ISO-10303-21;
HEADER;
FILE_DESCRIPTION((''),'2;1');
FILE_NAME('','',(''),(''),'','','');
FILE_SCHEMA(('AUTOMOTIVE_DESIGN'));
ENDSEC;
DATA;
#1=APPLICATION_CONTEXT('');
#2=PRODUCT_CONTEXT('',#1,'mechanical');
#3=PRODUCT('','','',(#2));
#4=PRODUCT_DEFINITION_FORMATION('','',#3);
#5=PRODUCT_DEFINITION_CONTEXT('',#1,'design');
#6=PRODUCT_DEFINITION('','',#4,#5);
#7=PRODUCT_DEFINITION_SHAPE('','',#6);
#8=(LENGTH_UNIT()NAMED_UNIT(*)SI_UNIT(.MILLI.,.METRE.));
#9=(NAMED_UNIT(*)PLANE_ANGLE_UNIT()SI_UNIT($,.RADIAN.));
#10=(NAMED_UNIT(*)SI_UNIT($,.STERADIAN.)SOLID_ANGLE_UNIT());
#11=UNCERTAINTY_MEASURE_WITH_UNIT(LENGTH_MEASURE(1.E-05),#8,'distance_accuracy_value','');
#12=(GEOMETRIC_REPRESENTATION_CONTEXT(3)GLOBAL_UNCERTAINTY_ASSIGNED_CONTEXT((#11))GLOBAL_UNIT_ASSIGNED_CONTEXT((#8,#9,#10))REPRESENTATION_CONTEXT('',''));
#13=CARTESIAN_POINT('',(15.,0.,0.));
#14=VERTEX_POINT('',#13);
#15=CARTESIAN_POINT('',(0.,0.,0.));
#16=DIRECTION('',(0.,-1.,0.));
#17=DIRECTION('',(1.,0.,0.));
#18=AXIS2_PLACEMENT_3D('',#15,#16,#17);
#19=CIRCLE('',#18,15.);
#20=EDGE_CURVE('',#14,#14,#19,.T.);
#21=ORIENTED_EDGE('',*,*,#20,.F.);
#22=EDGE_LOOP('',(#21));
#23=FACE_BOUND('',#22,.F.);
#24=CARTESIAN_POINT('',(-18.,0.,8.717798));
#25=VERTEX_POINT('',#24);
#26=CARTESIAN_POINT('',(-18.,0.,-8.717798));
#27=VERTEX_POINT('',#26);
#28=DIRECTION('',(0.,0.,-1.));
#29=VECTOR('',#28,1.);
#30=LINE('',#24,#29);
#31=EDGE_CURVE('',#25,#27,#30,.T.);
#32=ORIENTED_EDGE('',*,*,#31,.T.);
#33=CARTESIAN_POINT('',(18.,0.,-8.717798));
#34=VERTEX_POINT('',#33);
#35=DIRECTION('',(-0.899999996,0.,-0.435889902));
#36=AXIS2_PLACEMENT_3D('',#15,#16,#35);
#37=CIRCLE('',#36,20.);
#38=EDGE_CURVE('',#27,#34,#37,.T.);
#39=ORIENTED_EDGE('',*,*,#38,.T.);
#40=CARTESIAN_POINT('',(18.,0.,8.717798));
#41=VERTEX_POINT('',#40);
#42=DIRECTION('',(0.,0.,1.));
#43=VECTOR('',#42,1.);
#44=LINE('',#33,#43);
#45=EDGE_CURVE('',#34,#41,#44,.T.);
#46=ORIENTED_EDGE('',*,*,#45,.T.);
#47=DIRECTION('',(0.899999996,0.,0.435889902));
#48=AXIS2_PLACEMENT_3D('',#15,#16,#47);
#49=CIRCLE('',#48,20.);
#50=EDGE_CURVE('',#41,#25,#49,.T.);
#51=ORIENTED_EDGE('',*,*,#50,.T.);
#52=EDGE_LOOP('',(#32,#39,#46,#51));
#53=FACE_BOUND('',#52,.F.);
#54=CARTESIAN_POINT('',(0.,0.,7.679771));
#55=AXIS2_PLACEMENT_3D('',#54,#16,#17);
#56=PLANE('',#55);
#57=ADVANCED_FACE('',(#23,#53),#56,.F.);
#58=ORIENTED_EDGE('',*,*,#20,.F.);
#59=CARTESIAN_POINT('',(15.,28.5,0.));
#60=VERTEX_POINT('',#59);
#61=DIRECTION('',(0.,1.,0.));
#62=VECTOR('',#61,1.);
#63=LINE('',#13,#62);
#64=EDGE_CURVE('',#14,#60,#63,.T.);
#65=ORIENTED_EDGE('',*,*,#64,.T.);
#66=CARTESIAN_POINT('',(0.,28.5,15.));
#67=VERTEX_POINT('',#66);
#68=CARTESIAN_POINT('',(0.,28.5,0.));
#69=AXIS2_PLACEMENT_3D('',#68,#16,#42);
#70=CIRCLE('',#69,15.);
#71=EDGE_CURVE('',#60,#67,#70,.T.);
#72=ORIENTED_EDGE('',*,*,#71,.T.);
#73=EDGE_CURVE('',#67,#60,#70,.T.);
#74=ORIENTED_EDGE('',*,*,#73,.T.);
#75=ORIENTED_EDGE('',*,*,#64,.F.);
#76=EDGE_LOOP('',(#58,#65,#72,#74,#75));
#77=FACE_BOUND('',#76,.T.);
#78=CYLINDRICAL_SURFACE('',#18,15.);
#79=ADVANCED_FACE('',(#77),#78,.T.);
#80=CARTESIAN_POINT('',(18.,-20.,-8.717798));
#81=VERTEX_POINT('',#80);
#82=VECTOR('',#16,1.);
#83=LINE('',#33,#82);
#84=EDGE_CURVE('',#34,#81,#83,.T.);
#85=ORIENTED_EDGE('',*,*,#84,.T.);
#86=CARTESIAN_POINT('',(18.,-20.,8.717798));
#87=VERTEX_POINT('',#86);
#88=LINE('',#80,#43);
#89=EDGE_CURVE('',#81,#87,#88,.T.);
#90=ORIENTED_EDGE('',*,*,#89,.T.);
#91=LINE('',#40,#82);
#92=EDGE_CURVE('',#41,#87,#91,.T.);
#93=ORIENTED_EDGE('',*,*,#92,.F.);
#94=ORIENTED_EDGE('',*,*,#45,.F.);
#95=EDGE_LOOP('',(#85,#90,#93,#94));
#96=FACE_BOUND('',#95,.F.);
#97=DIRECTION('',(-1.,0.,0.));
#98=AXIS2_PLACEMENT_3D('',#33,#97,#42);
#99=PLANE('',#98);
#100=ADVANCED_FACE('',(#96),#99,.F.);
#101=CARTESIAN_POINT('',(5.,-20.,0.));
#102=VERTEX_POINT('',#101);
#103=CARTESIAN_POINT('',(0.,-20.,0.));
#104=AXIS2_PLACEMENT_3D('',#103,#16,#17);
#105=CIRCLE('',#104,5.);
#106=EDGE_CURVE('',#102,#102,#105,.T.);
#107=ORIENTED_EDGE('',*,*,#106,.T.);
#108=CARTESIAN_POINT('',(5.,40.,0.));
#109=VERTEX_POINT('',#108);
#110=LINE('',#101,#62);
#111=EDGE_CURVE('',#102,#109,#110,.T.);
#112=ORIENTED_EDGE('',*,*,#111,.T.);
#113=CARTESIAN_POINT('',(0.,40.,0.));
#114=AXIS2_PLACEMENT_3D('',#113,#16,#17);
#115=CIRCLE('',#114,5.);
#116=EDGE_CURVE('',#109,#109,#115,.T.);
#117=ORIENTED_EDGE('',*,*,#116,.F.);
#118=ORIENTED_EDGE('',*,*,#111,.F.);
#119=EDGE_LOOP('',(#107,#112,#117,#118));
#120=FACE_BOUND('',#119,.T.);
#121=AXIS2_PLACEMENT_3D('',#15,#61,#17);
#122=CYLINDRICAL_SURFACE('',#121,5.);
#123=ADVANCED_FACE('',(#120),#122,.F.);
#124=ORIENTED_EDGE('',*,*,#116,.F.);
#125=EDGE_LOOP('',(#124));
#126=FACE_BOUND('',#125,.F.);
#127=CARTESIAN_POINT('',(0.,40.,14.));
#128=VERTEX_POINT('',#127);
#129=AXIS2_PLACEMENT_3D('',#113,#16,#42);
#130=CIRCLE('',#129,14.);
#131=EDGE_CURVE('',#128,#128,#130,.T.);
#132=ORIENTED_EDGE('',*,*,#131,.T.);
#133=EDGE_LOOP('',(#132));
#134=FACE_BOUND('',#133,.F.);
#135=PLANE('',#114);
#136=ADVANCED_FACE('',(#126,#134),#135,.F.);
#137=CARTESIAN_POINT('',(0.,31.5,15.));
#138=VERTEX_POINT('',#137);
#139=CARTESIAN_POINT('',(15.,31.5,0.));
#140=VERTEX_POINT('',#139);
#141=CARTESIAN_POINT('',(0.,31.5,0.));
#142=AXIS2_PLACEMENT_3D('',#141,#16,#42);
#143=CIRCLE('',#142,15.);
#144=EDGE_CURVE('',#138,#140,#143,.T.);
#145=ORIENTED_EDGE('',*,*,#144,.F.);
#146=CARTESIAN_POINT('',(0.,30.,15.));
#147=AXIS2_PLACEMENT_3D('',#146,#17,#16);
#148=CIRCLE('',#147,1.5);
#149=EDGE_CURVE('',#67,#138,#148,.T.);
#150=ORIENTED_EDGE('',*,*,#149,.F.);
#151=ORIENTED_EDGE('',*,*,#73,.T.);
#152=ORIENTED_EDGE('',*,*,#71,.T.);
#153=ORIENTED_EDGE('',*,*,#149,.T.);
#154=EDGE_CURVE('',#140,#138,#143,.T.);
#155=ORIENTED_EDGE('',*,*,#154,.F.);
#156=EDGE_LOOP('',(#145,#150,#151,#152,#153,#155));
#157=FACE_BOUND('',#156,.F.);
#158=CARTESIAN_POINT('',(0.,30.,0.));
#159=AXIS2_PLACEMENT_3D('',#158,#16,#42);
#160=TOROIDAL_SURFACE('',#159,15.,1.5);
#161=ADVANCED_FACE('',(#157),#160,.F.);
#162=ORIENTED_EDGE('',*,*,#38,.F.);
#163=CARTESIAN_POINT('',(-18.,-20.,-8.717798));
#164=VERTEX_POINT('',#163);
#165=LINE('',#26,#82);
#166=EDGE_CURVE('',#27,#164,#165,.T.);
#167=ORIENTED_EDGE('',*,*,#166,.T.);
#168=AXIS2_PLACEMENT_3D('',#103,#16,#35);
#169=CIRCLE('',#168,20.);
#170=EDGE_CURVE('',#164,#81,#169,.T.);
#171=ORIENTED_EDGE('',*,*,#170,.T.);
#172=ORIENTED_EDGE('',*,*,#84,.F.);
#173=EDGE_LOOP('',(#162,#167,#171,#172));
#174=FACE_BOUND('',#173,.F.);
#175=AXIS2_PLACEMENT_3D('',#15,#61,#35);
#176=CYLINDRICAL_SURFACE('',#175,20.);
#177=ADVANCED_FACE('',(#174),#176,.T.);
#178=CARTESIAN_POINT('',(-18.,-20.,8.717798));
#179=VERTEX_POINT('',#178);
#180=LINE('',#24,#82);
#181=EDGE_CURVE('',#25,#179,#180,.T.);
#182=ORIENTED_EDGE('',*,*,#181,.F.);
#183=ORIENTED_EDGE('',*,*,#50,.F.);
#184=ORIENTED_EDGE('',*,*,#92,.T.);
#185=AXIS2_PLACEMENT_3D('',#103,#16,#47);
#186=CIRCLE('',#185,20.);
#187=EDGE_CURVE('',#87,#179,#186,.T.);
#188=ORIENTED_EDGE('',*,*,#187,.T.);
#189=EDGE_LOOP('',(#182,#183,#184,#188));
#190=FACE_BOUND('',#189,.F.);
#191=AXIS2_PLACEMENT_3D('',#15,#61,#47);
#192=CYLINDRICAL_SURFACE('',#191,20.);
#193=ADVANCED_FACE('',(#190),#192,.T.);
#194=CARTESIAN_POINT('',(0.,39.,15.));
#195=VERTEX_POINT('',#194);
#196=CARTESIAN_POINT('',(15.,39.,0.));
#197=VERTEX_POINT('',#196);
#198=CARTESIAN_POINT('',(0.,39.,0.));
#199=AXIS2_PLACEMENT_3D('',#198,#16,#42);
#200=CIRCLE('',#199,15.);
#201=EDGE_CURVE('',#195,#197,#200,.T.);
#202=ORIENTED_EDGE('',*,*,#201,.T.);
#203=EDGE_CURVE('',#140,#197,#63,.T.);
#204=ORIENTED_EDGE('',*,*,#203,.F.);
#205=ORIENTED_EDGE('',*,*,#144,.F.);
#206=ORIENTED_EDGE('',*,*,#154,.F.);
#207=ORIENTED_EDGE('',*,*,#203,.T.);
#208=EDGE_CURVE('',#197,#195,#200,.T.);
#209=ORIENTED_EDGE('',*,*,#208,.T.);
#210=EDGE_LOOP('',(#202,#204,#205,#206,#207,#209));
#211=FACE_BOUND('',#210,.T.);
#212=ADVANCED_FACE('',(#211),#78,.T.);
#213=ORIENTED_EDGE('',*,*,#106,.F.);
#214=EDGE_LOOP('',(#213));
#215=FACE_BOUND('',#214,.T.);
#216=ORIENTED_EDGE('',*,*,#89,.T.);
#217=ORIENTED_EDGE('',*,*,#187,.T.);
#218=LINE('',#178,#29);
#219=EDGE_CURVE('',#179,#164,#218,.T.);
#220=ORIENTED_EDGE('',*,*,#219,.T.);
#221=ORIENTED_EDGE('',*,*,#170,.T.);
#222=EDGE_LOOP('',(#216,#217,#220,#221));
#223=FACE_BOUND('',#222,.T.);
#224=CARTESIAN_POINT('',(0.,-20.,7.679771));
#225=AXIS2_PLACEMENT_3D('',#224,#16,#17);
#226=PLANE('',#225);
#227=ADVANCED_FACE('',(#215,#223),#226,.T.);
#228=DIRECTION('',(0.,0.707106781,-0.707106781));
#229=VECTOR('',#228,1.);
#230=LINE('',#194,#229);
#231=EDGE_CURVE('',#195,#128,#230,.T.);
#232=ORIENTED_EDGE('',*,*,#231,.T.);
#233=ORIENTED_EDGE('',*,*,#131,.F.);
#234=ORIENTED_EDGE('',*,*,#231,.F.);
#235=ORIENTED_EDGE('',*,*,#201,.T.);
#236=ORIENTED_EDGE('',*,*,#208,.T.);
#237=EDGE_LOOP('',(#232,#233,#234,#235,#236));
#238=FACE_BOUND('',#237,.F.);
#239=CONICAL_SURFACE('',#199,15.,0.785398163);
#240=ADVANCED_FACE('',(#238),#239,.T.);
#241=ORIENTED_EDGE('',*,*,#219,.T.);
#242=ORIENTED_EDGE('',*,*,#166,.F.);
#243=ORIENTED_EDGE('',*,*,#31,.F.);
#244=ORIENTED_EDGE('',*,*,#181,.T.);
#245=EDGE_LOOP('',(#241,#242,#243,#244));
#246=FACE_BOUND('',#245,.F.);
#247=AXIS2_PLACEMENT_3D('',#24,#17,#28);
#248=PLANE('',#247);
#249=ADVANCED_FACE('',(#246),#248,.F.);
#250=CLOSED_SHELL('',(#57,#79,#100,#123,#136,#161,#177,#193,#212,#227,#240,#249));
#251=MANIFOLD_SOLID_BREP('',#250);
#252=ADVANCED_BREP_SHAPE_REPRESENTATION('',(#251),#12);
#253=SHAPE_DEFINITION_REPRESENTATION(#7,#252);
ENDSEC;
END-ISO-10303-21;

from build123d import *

# Parameters (mm, degrees)
F1_DEPTH = 20
F2_R     = 15
F3_DEPTH = 40
F4_R     = 5
F5_DEPTH = 40
F6_DEPTH = 20


with BuildPart() as f1:
    # F0 (on Front) → F1 (new body)
    with BuildSketch(Plane.XZ):
        with BuildLine():
            Line((18, 0), (18, 8.717798))
            ThreePointArc((18, 8.717798), (0, 20), (-18, 8.717798))
            Line((-18, 8.717798), (-18, 0))
            Line((-18, 0), (0, 0))
            Line((0, 0), (18, 0))
        make_face()
        with BuildLine():
            ThreePointArc((-18, -8.717798), (0, -20), (18, -8.717798))
            Line((18, -8.717798), (18, 0))
            Line((18, 0), (0, 0))
            Line((0, 0), (-18, 0))
            Line((-18, 0), (-18, -8.717798))
        make_face()
    extrude(amount=F1_DEPTH)

    # F2 (on face) → F3 (join)
    with BuildSketch(Plane.XZ):
        Circle(F2_R)
    extrude(amount=-F3_DEPTH)

    # F4 (on Front) → F5 (cut, through all)
    with BuildSketch(Plane.XZ):
        Circle(F4_R)
    extrude(amount=-F5_DEPTH, mode=Mode.SUBTRACT)

    # F4 (on Front) → F6 (cut, through all)
    with BuildSketch(Plane.XZ):
        Circle(F4_R)
    extrude(amount=F6_DEPTH, mode=Mode.SUBTRACT)

    # F7 (on Right) → F8 (revolve, cut)
    with BuildSketch(Plane.YZ):
        with BuildLine():
            Line((30, 15), (28.5, 15))
            ThreePointArc((28.5, 15), (30, 13.5), (31.5, 15))
            Line((31.5, 15), (30, 15))
        make_face()
    revolve(axis=Axis((0, 0, 0), (0, -1, 0)), mode=Mode.SUBTRACT)

    # F7 (on Right) → F9 (revolve, cut)
    with BuildSketch(Plane.YZ):
        Polygon((39, 15), (40, 14), (40, 15), align=None)
    revolve(axis=Axis((0, 0, 0), (0, -1, 0)), mode=Mode.SUBTRACT)


solid = f1.part
